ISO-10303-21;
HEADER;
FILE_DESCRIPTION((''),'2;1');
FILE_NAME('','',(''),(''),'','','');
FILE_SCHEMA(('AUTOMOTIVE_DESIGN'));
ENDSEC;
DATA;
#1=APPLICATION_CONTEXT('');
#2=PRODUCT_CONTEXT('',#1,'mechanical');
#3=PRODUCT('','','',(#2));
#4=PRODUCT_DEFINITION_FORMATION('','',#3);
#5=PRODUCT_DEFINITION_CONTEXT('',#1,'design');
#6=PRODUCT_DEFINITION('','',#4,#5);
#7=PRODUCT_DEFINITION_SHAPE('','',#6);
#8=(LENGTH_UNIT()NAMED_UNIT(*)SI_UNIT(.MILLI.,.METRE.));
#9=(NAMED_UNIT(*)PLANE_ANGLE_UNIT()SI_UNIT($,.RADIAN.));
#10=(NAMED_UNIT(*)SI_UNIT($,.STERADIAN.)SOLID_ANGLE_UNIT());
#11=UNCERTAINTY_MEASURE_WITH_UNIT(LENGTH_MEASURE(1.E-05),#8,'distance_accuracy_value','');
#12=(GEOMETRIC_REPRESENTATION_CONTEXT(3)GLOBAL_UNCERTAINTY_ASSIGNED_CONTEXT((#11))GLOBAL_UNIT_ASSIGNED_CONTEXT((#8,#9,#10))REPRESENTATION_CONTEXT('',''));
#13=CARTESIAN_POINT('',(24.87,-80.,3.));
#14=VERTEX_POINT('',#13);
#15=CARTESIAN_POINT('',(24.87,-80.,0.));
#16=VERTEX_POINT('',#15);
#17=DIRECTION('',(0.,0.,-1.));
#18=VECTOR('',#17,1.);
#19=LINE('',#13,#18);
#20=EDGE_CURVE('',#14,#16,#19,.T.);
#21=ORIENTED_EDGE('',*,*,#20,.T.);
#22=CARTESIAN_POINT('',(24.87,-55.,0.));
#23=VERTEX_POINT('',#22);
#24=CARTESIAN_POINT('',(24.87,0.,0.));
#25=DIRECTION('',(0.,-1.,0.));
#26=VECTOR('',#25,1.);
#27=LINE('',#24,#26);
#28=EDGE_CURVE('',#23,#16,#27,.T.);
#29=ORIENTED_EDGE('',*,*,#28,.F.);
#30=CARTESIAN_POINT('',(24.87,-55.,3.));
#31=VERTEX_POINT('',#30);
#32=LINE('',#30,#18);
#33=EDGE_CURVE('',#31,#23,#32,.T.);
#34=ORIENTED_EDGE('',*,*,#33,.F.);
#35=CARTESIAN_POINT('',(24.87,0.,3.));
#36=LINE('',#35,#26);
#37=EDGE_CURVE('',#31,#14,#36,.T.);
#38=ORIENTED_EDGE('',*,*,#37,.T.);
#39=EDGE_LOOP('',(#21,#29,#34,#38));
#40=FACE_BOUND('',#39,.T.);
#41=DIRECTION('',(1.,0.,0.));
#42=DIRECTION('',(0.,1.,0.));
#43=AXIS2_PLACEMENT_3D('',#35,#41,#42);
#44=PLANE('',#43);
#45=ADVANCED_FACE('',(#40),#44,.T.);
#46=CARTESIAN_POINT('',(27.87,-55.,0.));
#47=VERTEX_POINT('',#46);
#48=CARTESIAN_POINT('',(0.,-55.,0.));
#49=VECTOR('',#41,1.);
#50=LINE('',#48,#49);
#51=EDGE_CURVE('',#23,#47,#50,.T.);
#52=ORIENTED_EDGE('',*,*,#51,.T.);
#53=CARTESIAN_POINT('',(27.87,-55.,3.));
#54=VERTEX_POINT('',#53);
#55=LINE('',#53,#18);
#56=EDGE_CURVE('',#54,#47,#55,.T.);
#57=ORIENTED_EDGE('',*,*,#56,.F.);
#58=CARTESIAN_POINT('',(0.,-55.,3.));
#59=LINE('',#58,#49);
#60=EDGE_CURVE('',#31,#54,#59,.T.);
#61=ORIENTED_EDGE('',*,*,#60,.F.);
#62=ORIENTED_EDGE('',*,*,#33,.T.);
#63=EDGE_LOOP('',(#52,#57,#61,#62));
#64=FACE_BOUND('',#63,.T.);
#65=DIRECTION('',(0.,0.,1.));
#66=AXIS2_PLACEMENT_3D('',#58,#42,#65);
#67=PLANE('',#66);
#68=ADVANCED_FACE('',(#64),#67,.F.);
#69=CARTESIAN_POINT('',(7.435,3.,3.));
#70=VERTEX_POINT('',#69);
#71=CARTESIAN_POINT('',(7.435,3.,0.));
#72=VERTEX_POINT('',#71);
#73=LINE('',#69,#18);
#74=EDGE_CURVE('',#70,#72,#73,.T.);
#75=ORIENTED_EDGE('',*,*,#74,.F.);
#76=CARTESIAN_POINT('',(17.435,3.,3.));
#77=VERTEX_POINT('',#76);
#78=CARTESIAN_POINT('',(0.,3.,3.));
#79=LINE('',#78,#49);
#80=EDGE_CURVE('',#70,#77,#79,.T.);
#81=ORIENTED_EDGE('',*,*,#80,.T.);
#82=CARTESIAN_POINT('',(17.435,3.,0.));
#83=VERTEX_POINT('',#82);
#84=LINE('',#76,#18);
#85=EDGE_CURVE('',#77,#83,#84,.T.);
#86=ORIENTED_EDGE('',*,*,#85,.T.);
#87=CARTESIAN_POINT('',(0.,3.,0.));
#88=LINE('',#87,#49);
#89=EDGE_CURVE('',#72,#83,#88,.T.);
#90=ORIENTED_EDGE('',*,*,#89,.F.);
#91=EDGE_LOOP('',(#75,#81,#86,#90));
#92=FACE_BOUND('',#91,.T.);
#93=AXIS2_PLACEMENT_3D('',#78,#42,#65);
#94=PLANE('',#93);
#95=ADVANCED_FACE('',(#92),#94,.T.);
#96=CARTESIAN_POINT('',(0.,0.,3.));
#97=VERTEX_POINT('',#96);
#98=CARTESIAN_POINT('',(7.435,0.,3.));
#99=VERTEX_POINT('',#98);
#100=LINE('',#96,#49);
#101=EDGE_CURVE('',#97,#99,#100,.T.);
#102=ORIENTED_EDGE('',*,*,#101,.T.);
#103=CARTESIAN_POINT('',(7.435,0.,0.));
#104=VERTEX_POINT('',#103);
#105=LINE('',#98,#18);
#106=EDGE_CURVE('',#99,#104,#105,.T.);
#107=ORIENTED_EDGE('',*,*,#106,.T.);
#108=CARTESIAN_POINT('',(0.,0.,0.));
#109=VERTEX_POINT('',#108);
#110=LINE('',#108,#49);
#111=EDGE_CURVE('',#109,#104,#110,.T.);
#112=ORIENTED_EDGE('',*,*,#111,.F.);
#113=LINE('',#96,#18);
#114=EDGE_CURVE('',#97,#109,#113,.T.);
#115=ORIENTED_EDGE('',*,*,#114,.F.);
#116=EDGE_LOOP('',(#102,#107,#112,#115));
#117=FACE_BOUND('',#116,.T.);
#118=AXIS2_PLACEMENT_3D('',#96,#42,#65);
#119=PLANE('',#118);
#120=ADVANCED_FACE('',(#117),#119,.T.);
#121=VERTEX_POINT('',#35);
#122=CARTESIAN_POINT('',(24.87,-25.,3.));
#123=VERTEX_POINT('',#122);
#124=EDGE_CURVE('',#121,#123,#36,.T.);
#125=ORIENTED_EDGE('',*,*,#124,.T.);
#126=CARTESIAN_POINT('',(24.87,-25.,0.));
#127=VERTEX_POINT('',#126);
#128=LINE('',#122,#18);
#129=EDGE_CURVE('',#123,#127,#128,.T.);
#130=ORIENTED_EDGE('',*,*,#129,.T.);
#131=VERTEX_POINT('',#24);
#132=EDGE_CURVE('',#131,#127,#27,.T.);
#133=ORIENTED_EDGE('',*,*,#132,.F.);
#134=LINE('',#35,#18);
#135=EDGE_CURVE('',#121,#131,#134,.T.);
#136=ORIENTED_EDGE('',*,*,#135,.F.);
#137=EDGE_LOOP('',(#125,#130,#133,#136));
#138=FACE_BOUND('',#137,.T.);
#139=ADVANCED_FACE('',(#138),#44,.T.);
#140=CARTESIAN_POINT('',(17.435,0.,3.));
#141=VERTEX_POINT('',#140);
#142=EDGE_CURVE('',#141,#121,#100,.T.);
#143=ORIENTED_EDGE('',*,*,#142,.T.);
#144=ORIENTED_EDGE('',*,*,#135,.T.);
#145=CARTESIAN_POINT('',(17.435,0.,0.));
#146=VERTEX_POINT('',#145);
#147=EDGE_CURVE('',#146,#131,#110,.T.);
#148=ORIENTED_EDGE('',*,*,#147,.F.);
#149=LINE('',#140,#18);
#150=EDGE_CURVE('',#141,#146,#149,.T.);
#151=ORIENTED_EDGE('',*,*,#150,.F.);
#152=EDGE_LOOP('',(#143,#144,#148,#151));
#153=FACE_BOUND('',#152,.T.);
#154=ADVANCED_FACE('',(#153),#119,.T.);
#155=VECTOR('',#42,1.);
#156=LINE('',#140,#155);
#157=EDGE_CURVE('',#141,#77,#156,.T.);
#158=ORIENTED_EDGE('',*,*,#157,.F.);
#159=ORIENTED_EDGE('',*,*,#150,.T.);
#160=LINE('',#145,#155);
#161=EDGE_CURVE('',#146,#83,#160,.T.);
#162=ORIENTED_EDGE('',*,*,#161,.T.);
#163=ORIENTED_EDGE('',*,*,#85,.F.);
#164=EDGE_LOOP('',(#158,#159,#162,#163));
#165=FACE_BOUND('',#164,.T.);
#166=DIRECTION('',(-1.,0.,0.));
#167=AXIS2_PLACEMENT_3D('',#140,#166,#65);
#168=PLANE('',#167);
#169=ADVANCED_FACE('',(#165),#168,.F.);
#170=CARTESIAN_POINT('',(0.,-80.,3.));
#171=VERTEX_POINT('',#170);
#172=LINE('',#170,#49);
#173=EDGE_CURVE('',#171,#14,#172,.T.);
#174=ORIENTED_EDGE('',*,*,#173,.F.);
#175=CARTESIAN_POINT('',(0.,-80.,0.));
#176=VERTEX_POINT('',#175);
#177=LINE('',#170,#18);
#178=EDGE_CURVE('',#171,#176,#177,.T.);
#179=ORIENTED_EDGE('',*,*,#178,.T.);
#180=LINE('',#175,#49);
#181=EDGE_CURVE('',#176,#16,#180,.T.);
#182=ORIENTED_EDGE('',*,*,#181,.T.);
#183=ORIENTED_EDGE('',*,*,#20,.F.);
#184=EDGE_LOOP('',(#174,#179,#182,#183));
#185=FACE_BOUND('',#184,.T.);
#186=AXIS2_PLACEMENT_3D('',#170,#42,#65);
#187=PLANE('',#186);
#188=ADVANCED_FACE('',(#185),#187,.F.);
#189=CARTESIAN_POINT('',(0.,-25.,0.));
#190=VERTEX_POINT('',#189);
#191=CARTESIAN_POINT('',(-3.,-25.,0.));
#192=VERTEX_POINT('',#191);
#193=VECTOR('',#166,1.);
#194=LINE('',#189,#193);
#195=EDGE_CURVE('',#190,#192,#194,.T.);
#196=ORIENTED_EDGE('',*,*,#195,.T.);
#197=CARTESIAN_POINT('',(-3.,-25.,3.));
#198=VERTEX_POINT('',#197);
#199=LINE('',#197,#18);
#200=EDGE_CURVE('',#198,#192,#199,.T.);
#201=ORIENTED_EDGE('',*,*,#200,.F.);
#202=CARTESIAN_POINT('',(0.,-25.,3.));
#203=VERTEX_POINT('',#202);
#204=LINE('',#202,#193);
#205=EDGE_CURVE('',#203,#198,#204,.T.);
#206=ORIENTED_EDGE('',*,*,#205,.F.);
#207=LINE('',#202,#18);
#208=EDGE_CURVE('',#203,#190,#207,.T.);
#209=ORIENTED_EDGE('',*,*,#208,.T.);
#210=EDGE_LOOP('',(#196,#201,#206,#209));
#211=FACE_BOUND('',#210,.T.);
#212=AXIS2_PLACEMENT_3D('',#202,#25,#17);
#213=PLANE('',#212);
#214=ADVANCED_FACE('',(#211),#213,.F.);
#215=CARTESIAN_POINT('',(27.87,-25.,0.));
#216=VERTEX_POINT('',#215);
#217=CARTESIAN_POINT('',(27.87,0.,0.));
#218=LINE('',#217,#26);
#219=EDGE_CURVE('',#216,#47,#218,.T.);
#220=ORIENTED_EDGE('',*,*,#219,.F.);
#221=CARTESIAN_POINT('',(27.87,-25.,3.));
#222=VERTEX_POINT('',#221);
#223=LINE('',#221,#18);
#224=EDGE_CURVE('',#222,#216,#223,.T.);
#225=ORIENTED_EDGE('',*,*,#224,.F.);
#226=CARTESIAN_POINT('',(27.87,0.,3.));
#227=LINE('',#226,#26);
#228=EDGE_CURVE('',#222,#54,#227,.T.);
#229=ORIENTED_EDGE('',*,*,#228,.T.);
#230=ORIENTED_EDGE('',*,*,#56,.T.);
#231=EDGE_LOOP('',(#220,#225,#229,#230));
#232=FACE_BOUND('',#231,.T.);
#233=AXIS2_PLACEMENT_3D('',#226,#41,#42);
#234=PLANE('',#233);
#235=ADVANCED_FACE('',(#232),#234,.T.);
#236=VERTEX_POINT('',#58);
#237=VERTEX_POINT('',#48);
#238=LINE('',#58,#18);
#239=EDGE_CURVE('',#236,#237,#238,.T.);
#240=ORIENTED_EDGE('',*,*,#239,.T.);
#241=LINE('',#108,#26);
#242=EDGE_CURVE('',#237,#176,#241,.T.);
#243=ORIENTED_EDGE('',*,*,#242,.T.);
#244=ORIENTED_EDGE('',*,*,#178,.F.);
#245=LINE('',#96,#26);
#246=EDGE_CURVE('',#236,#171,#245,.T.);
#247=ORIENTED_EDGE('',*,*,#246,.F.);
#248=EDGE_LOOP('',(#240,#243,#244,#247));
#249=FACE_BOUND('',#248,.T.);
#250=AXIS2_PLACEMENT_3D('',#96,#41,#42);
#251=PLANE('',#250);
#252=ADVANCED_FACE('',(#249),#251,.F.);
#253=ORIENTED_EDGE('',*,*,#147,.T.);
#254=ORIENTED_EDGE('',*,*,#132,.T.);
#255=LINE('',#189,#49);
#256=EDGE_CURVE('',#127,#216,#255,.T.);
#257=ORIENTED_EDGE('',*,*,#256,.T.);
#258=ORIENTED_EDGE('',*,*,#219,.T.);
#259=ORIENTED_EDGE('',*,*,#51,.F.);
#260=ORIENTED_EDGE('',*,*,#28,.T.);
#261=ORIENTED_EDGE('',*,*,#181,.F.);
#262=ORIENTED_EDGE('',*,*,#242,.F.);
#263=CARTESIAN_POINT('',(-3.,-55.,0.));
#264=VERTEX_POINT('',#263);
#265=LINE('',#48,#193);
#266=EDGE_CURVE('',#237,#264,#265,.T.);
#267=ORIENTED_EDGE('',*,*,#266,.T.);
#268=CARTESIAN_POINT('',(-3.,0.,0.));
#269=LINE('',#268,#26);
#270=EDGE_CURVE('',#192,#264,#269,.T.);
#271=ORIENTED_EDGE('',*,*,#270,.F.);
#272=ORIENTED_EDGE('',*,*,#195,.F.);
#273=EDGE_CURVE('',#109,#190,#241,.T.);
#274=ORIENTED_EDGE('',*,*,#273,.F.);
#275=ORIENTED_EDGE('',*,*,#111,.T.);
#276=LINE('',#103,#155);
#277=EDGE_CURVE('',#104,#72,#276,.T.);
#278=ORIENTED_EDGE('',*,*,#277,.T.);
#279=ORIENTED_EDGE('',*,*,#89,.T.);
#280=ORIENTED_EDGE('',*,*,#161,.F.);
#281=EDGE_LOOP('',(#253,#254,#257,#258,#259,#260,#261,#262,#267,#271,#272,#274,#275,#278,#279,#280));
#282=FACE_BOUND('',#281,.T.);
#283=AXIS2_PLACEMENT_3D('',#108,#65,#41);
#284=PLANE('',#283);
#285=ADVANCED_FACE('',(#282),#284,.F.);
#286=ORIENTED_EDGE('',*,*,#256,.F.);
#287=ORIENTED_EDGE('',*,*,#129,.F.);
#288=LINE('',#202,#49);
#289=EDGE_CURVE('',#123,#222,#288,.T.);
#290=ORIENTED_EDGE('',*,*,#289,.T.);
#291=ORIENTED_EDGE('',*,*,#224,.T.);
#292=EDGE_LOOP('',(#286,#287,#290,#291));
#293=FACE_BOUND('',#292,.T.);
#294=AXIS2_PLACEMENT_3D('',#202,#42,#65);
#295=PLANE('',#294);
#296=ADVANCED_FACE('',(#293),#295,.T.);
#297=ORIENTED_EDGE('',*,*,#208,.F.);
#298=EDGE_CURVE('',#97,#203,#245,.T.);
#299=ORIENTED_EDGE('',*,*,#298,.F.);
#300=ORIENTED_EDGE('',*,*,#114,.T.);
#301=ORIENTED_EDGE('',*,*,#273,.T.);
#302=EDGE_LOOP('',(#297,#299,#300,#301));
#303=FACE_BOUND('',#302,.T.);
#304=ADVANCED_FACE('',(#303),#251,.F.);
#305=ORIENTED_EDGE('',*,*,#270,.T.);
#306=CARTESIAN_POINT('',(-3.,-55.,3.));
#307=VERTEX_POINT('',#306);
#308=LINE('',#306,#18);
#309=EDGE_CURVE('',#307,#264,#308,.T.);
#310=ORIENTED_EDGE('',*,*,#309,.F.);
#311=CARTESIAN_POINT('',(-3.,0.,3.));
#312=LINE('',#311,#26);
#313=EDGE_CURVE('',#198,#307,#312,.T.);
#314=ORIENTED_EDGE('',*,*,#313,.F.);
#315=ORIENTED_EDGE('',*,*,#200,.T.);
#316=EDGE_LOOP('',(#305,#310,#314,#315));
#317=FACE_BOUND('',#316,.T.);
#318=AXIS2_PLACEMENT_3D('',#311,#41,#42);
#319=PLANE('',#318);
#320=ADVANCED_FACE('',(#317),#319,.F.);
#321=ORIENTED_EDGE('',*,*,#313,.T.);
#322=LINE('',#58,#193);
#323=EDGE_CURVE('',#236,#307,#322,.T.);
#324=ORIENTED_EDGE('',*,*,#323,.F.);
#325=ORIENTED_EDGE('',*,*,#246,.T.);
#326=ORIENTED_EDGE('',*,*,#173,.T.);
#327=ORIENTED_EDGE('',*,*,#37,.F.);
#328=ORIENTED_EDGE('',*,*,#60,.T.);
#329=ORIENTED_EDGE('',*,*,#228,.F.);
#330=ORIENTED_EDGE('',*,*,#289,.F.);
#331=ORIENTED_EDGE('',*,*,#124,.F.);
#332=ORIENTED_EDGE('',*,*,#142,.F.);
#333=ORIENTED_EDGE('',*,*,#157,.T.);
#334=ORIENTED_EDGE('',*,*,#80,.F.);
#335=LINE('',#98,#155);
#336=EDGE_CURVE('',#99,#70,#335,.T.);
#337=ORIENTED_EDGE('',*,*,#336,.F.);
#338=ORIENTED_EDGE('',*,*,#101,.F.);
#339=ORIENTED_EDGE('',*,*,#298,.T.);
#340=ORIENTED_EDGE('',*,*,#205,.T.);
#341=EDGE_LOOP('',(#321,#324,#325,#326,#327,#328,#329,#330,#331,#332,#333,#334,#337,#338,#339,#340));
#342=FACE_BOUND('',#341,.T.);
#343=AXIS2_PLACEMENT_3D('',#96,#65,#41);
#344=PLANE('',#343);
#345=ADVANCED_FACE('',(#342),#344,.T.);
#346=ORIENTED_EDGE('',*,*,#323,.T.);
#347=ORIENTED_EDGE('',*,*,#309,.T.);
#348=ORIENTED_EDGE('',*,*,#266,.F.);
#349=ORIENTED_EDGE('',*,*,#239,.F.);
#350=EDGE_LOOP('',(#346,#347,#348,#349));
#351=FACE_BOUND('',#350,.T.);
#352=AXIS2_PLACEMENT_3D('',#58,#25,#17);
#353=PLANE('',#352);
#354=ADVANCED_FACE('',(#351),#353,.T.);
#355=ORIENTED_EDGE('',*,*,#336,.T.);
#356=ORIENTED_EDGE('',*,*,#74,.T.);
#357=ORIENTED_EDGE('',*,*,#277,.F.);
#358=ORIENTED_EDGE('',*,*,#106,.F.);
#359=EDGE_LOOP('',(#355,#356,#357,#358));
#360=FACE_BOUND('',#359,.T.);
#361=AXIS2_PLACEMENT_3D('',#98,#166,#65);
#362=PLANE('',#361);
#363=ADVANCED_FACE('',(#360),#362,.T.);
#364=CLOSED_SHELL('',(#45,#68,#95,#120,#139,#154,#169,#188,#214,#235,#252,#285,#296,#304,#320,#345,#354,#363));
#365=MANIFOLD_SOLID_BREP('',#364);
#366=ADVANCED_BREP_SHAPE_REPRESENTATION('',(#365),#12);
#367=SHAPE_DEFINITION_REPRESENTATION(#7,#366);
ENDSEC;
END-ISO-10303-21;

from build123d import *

# Parameters (mm, degrees)
EXTRUDE_1_DEPTH = 3


with BuildPart() as part:
    # 草图1 → 凸台-拉伸1 (new body)
    with BuildSketch(Plane.XY):
        Polygon((0, -25), (0, -40), (12.435, -40), (12.435, 0), (7.435, 0), (0, 0), align=None)
        Polygon((12.435, 0), (12.435, -40), (24.87, -40), (24.87, -25), (24.87, 0), (17.435, 0), align=None)
        Polygon((24.87, -40), (12.435, -40), (12.435, -80), (24.87, -80), (24.87, -55), align=None)
        Polygon((12.435, -40), (0, -40), (0, -55), (0, -80), (12.435, -80), align=None)
        Polygon((0, -55), (0, -40), (0, -25), (-3, -25), (-3, -55), align=None)
        Polygon((7.435, 0), (12.435, 0), (17.435, 0), (17.435, 3), (7.435, 3), align=None)
        Polygon((24.87, -25), (24.87, -40), (24.87, -55), (27.87, -55), (27.87, -25), align=None)
    extrude(amount=EXTRUDE_1_DEPTH)


solid = part.part
